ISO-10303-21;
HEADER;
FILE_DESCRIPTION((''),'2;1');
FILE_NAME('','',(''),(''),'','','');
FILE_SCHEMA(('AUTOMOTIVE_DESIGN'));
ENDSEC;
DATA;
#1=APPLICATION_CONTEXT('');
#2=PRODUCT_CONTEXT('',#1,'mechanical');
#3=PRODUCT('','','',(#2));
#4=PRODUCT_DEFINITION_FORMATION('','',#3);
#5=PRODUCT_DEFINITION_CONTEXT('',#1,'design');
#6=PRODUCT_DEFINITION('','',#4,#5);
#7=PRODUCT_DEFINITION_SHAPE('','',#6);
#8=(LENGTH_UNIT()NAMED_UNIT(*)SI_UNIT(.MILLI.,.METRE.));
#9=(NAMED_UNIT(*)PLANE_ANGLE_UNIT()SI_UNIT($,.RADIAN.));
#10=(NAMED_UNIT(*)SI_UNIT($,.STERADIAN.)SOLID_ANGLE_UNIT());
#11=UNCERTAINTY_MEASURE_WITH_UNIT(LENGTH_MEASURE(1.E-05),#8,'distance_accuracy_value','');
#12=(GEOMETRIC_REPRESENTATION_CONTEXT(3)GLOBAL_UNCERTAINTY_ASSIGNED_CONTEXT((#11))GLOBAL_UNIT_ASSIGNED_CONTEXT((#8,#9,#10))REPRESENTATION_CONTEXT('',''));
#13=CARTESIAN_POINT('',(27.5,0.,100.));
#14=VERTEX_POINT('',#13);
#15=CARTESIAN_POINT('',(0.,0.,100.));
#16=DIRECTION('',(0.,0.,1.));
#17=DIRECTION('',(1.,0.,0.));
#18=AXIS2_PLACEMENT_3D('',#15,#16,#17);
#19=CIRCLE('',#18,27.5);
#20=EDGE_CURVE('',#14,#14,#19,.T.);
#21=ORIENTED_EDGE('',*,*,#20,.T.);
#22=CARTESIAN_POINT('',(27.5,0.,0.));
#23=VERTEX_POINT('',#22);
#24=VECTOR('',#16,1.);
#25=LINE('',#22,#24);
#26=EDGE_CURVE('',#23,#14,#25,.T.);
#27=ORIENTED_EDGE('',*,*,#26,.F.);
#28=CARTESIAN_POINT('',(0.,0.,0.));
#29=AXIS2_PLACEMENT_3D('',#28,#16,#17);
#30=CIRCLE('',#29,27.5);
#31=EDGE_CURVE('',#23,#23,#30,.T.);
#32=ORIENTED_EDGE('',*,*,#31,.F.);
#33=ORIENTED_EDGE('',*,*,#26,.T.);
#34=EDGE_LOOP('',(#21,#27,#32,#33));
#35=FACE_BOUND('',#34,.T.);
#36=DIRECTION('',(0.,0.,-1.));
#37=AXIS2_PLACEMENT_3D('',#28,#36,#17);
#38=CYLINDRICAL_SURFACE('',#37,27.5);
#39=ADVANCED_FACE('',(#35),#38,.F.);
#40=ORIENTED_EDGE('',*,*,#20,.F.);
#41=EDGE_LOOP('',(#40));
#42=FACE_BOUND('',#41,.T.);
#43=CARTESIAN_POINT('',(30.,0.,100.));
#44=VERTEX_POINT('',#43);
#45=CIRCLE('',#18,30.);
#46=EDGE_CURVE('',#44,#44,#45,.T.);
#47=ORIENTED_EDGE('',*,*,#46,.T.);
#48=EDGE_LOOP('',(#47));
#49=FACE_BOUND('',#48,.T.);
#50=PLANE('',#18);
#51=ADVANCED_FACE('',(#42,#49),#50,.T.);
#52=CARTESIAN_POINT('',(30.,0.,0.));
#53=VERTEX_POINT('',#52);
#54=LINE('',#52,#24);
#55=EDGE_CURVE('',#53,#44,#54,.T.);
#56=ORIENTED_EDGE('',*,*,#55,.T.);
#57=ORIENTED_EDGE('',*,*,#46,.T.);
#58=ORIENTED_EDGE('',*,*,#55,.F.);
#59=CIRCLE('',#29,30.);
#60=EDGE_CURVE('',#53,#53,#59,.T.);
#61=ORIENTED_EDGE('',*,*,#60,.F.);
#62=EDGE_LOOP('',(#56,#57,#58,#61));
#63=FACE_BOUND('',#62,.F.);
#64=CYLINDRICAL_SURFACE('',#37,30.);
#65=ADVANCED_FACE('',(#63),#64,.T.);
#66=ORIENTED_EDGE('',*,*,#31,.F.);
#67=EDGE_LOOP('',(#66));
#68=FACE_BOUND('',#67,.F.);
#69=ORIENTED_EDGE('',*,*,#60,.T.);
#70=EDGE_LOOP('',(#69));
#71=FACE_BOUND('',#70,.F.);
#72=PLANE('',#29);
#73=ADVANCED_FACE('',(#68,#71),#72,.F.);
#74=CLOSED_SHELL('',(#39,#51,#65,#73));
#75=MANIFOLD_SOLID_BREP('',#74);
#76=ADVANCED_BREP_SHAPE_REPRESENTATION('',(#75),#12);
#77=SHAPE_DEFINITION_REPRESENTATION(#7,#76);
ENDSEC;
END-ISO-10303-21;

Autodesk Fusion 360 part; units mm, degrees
sketch "Sketch1" plane through (0, 0, 0) normal (0, 0, 1) x (1, 0, 0)
  circle A0 centre (0, 0) radius 27.5
  circle A1 centre (0, 0) radius 30
  dimension "d1" = 55
  dimension "d2" = 60
extrude "Extrude1" add sketch "Sketch1" along normal blind 100
